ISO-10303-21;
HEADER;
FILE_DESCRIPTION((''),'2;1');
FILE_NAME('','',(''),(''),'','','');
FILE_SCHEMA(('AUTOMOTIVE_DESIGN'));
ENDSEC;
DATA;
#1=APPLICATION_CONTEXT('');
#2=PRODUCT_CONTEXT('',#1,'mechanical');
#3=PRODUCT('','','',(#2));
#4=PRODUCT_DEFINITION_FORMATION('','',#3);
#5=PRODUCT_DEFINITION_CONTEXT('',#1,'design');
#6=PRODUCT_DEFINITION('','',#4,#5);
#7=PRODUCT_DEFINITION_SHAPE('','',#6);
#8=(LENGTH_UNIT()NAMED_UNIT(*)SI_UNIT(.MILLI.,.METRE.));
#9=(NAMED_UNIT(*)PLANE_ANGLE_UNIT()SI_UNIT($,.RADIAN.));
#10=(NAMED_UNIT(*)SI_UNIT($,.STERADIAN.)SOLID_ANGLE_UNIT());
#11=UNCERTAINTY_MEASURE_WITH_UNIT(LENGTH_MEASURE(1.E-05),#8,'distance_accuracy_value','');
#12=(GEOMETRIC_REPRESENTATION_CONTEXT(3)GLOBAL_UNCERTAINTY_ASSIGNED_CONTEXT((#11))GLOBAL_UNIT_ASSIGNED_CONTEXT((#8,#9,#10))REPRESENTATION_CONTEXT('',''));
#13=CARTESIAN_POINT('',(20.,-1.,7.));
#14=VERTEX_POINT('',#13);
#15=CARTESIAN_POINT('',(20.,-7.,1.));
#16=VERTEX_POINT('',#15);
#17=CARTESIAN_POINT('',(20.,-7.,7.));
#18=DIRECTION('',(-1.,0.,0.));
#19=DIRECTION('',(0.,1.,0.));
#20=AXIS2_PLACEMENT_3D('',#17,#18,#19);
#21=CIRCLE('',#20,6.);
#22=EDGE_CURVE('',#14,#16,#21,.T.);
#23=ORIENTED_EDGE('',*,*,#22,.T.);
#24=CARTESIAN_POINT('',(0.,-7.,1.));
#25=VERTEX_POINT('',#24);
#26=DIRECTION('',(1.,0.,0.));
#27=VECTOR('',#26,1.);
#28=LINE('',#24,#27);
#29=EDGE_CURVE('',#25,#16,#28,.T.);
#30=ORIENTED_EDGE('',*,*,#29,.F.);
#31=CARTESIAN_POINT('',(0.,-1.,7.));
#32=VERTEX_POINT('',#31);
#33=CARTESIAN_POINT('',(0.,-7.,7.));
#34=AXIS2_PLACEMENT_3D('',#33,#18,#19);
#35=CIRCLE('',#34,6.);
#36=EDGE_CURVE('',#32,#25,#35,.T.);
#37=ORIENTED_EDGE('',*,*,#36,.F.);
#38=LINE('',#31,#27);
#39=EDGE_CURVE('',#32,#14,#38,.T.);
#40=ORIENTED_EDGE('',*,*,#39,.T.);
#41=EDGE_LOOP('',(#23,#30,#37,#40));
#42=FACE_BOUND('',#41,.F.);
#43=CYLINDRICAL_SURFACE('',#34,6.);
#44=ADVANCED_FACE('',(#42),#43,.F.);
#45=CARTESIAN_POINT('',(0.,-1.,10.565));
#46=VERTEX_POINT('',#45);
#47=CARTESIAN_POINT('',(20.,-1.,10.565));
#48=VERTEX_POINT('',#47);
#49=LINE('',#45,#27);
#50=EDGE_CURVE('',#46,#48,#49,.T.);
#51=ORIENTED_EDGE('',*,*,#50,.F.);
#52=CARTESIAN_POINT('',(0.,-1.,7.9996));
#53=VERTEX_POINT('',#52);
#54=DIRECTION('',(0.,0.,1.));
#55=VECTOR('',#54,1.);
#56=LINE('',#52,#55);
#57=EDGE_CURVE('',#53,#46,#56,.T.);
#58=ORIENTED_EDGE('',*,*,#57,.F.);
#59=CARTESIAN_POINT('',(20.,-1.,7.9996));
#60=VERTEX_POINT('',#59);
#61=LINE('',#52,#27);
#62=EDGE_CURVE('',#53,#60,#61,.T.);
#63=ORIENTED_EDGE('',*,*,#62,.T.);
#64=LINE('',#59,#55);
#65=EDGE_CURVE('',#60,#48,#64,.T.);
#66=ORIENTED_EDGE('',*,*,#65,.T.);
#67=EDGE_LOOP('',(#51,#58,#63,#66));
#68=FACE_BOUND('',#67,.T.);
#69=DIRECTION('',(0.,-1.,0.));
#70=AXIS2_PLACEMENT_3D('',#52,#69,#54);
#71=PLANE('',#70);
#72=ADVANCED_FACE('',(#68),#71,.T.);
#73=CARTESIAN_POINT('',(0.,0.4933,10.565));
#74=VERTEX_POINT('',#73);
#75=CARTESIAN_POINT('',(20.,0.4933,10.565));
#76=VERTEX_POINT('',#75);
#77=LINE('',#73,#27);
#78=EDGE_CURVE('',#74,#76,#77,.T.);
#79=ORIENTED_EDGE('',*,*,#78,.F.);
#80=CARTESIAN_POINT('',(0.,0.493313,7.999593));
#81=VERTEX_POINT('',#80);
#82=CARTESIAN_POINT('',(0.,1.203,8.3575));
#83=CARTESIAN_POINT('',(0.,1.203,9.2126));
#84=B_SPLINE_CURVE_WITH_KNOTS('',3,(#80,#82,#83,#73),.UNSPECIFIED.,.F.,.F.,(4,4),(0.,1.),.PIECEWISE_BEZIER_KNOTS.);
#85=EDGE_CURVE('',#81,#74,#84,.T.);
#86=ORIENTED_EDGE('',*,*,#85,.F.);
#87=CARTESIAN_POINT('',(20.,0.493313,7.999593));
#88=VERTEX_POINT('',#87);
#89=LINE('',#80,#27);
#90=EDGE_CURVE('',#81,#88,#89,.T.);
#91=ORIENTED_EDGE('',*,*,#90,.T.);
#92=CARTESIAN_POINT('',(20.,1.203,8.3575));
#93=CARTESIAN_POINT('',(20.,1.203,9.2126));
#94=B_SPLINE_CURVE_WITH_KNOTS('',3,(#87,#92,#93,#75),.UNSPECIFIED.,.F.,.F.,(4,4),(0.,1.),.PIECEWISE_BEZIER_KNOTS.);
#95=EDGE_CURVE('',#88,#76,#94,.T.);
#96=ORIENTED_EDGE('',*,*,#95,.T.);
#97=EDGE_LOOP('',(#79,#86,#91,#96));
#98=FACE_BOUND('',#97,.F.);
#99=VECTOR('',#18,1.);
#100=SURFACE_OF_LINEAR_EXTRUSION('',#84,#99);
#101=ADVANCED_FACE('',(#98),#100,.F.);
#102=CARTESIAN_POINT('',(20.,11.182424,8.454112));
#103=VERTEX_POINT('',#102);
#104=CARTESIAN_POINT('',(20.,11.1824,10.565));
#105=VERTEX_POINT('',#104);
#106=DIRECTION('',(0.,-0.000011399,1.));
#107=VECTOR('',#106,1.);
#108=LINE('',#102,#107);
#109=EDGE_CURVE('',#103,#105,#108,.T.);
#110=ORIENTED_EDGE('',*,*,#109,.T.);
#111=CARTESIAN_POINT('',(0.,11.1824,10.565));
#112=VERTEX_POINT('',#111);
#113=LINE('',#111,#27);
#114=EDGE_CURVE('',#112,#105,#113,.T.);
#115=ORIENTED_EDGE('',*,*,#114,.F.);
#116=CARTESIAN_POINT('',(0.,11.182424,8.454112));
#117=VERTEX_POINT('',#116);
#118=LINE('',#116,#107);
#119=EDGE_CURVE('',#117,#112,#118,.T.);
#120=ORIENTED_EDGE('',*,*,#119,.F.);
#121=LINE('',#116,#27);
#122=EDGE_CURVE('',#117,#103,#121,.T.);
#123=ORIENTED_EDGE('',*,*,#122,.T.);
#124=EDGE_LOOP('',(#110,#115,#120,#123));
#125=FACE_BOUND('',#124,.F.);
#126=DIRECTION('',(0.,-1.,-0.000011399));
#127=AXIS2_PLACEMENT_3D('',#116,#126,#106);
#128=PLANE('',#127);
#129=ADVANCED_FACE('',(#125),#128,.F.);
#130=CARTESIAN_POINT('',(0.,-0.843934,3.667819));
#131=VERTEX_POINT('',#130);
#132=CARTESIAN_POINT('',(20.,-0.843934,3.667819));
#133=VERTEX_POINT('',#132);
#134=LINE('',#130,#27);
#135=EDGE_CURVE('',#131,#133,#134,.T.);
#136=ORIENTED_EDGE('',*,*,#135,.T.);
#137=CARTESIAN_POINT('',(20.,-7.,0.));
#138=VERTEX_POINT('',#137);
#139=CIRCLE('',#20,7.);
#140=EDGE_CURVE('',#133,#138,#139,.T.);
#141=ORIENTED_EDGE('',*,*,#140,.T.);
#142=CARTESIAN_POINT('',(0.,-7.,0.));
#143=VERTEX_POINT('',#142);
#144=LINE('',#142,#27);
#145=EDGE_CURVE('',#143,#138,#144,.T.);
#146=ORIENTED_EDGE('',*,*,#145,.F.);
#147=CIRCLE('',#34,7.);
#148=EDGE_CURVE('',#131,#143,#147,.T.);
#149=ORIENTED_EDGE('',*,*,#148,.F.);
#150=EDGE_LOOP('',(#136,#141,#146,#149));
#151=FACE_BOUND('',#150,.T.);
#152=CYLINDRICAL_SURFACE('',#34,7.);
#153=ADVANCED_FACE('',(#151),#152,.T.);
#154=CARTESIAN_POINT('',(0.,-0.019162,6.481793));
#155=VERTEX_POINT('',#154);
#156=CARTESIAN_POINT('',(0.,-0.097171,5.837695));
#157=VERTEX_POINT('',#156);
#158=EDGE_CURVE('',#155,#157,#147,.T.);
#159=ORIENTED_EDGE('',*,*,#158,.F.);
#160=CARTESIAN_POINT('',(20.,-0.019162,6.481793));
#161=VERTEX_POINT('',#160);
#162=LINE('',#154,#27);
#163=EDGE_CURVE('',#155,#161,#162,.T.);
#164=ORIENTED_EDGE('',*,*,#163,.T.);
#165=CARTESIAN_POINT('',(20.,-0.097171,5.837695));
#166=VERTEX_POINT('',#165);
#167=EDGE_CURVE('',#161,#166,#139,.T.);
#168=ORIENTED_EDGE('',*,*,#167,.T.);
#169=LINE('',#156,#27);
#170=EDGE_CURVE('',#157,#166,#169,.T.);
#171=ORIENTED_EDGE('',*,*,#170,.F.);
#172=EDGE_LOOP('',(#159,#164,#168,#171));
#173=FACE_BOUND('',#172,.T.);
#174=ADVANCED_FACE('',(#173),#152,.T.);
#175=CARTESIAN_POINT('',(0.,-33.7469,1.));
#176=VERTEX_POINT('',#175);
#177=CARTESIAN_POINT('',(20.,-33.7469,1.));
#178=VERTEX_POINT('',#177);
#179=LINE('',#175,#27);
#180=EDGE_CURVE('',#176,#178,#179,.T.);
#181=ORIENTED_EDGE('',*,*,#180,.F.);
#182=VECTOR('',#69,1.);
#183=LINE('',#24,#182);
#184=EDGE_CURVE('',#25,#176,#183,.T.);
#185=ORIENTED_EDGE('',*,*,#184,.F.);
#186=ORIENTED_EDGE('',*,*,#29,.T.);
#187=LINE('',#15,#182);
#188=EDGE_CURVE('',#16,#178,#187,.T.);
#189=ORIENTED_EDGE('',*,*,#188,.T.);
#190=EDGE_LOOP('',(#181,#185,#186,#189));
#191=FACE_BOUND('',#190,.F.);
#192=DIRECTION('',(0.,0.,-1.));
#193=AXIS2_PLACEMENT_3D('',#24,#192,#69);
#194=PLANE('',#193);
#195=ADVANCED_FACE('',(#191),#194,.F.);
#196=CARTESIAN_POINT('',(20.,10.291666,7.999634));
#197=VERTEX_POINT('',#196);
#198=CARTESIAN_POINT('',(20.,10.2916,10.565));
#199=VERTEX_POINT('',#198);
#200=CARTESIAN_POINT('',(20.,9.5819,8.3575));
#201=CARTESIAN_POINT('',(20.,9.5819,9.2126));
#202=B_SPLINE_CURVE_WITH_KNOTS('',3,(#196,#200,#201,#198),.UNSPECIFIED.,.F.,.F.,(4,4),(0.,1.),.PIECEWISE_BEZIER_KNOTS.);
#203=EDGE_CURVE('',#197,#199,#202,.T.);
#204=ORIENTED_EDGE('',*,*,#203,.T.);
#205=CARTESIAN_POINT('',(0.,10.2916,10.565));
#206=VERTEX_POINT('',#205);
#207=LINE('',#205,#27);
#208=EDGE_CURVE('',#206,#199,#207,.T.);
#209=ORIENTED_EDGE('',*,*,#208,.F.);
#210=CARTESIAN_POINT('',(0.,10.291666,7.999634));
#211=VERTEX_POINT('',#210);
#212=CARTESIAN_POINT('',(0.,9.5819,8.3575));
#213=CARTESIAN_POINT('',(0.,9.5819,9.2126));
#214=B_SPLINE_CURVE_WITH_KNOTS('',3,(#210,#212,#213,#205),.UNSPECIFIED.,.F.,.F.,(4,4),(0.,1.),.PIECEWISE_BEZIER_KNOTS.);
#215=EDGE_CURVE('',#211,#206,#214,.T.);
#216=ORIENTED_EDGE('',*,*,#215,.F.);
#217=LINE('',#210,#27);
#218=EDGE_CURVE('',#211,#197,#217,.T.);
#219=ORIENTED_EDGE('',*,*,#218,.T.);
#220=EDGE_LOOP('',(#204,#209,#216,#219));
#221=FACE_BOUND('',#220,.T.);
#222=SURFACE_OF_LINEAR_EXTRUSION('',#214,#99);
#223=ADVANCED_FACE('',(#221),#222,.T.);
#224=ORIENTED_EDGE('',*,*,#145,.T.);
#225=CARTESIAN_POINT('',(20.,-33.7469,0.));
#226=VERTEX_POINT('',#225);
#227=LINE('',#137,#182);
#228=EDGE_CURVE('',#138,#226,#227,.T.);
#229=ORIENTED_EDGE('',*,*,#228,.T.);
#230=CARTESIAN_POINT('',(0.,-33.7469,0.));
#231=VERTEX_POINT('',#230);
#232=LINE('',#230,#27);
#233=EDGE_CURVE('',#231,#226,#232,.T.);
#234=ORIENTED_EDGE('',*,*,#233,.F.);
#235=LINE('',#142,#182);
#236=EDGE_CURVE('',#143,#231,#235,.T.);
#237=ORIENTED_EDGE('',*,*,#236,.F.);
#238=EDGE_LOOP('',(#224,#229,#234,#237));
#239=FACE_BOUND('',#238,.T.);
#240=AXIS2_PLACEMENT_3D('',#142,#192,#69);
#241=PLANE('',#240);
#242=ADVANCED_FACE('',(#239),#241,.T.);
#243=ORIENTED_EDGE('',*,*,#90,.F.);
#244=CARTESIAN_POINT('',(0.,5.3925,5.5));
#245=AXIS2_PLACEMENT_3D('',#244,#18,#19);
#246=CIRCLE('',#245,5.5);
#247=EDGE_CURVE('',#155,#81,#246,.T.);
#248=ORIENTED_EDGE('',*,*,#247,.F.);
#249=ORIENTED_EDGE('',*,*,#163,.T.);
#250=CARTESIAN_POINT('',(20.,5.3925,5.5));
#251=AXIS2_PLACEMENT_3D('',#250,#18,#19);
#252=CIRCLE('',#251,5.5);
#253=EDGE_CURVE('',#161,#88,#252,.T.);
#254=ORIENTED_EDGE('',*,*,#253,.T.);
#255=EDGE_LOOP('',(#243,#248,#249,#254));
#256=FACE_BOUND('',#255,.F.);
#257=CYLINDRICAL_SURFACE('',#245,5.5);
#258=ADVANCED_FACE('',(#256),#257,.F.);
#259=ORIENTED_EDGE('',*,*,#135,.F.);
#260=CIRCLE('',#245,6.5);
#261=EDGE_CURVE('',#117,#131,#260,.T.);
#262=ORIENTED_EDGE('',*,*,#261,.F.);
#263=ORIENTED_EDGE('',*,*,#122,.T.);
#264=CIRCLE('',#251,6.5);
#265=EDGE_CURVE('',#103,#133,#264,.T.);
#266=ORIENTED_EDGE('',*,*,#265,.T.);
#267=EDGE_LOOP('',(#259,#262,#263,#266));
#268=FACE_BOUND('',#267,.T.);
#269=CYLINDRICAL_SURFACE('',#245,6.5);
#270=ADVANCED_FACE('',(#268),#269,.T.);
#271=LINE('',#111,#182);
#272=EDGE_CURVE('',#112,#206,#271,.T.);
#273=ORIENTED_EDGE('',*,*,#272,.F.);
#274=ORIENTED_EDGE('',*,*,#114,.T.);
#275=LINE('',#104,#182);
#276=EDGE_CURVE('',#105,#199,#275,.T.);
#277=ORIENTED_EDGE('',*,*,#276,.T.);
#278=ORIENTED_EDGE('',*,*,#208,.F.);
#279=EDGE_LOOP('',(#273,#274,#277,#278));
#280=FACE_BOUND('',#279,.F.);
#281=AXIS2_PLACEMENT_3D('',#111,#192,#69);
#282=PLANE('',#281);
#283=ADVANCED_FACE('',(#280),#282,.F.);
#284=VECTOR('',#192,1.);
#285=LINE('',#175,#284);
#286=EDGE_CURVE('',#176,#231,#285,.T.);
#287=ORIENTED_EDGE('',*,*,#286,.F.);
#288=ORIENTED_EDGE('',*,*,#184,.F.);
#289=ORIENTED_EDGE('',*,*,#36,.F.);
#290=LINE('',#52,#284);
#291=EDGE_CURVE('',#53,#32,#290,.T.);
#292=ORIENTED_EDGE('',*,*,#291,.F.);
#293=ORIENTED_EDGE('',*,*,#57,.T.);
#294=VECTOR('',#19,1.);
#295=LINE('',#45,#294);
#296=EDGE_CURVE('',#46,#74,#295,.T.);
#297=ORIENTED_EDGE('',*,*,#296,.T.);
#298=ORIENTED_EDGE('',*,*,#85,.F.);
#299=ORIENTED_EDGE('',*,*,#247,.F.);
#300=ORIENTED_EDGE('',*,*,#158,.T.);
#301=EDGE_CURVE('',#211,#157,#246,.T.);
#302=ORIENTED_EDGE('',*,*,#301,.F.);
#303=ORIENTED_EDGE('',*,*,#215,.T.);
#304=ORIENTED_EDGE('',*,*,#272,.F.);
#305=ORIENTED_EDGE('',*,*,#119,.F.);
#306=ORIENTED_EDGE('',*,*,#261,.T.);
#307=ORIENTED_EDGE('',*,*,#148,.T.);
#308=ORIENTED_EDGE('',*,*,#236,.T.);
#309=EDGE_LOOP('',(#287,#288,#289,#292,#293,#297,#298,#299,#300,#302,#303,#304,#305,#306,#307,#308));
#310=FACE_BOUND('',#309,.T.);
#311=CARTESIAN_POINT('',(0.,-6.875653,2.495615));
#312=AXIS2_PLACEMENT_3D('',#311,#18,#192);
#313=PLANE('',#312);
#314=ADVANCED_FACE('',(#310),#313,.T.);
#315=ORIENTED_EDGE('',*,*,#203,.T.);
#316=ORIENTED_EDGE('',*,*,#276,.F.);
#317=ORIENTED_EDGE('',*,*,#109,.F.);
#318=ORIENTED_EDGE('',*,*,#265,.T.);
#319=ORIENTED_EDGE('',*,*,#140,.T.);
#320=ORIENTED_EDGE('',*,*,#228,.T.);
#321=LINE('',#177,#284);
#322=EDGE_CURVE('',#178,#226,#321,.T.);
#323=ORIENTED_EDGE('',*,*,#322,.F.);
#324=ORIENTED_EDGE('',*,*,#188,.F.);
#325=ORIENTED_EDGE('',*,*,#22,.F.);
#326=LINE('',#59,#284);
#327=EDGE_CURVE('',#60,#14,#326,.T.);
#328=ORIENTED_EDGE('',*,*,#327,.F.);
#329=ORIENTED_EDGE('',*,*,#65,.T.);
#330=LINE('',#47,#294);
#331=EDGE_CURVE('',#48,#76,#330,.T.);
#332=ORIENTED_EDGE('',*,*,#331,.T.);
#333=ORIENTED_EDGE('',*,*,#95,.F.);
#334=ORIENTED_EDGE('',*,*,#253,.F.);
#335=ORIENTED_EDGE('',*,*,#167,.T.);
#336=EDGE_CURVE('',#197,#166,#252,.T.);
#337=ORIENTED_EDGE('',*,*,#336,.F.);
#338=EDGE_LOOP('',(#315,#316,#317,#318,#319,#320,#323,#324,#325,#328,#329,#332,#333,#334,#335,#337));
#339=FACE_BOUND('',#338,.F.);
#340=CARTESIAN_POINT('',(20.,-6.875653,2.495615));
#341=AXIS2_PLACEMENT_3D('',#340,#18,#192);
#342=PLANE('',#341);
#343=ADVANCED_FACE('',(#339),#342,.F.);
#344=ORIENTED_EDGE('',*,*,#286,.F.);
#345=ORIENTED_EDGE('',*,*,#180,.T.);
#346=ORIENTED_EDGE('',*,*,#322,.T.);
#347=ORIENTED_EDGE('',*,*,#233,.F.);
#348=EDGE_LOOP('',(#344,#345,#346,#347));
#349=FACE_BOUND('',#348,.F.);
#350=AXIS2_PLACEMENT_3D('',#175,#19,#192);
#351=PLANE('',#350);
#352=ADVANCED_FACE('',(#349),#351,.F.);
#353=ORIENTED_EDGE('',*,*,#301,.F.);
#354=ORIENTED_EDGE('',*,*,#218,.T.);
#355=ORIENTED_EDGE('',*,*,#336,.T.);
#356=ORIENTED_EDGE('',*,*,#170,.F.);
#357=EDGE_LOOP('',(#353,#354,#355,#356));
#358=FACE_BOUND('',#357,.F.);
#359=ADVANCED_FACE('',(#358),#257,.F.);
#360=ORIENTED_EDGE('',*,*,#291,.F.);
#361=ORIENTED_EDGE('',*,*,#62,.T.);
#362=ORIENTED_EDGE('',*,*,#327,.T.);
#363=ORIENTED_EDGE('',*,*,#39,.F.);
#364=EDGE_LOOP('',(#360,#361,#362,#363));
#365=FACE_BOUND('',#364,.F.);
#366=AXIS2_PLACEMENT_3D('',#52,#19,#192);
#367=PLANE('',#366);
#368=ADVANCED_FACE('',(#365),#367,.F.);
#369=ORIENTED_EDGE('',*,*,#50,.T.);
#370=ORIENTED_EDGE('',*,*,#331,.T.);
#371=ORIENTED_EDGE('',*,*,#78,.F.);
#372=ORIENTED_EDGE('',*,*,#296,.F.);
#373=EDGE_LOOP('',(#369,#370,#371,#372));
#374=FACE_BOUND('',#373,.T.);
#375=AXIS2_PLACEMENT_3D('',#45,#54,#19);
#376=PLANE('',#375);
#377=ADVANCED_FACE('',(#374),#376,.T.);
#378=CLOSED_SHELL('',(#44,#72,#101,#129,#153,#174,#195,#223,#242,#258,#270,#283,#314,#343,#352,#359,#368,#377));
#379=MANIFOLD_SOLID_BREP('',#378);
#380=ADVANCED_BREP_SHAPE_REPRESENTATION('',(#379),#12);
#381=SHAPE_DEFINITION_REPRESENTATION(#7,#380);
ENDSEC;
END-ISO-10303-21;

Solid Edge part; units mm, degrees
sketch "Sketch1" plane through (0, 0, 0) normal (1, 0, 0) x (0, 1, 0)
  line L0 (-7, 0) -> (-33.7469, 0)
  line L1 (-33.7469, 1) -> (-33.7469, 0)
  line L2 (-7, 1) -> (-33.7469, 1)
  arc A0 (-1, 7) -> (-7, 1) centre (-7, 7) cw
  line L3 (-1, 7.9996) -> (-1, 7)
  line L4 (-1, 7.9996) -> (-1, 10.565)
  line L5 (-1, 10.565) -> (0.4933, 10.565)
  spline S0 degree 3 poles (0.4933, 7.9996) (1.203, 8.3575) (1.203, 9.2126) (0.4933, 10.565) knots 0 0 0 0 1 1 1 1
  arc A1 (-0.0192, 6.4818) -> (0.4933, 7.9996) centre (5.3925, 5.5) cw
  arc A2 (-0.0192, 6.4818) -> (-0.0972, 5.8377) centre (-7, 7) cw
  spline S1 degree 3 poles (10.2916, 7.9996) (9.5819, 8.3575) (9.5819, 9.2126) (10.2916, 10.565) knots 0 0 0 0 1 1 1 1
  line L6 (11.1824, 10.565) -> (10.2916, 10.565)
  line L7 (11.1824, 8.4541) -> (11.1824, 10.565)
  arc A3 (11.1824, 8.4541) -> (-0.844, 3.6678) centre (5.3925, 5.5) cw
  arc A4 (-0.844, 3.6678) -> (-7, 0) centre (-7, 7) cw
  arc A5 (10.2917, 7.9996) -> (-0.0971, 5.8377) centre (5.3925, 5.5) cw
extrude "Protrusion1" add sketch "Sketch1" along normal blind 20
